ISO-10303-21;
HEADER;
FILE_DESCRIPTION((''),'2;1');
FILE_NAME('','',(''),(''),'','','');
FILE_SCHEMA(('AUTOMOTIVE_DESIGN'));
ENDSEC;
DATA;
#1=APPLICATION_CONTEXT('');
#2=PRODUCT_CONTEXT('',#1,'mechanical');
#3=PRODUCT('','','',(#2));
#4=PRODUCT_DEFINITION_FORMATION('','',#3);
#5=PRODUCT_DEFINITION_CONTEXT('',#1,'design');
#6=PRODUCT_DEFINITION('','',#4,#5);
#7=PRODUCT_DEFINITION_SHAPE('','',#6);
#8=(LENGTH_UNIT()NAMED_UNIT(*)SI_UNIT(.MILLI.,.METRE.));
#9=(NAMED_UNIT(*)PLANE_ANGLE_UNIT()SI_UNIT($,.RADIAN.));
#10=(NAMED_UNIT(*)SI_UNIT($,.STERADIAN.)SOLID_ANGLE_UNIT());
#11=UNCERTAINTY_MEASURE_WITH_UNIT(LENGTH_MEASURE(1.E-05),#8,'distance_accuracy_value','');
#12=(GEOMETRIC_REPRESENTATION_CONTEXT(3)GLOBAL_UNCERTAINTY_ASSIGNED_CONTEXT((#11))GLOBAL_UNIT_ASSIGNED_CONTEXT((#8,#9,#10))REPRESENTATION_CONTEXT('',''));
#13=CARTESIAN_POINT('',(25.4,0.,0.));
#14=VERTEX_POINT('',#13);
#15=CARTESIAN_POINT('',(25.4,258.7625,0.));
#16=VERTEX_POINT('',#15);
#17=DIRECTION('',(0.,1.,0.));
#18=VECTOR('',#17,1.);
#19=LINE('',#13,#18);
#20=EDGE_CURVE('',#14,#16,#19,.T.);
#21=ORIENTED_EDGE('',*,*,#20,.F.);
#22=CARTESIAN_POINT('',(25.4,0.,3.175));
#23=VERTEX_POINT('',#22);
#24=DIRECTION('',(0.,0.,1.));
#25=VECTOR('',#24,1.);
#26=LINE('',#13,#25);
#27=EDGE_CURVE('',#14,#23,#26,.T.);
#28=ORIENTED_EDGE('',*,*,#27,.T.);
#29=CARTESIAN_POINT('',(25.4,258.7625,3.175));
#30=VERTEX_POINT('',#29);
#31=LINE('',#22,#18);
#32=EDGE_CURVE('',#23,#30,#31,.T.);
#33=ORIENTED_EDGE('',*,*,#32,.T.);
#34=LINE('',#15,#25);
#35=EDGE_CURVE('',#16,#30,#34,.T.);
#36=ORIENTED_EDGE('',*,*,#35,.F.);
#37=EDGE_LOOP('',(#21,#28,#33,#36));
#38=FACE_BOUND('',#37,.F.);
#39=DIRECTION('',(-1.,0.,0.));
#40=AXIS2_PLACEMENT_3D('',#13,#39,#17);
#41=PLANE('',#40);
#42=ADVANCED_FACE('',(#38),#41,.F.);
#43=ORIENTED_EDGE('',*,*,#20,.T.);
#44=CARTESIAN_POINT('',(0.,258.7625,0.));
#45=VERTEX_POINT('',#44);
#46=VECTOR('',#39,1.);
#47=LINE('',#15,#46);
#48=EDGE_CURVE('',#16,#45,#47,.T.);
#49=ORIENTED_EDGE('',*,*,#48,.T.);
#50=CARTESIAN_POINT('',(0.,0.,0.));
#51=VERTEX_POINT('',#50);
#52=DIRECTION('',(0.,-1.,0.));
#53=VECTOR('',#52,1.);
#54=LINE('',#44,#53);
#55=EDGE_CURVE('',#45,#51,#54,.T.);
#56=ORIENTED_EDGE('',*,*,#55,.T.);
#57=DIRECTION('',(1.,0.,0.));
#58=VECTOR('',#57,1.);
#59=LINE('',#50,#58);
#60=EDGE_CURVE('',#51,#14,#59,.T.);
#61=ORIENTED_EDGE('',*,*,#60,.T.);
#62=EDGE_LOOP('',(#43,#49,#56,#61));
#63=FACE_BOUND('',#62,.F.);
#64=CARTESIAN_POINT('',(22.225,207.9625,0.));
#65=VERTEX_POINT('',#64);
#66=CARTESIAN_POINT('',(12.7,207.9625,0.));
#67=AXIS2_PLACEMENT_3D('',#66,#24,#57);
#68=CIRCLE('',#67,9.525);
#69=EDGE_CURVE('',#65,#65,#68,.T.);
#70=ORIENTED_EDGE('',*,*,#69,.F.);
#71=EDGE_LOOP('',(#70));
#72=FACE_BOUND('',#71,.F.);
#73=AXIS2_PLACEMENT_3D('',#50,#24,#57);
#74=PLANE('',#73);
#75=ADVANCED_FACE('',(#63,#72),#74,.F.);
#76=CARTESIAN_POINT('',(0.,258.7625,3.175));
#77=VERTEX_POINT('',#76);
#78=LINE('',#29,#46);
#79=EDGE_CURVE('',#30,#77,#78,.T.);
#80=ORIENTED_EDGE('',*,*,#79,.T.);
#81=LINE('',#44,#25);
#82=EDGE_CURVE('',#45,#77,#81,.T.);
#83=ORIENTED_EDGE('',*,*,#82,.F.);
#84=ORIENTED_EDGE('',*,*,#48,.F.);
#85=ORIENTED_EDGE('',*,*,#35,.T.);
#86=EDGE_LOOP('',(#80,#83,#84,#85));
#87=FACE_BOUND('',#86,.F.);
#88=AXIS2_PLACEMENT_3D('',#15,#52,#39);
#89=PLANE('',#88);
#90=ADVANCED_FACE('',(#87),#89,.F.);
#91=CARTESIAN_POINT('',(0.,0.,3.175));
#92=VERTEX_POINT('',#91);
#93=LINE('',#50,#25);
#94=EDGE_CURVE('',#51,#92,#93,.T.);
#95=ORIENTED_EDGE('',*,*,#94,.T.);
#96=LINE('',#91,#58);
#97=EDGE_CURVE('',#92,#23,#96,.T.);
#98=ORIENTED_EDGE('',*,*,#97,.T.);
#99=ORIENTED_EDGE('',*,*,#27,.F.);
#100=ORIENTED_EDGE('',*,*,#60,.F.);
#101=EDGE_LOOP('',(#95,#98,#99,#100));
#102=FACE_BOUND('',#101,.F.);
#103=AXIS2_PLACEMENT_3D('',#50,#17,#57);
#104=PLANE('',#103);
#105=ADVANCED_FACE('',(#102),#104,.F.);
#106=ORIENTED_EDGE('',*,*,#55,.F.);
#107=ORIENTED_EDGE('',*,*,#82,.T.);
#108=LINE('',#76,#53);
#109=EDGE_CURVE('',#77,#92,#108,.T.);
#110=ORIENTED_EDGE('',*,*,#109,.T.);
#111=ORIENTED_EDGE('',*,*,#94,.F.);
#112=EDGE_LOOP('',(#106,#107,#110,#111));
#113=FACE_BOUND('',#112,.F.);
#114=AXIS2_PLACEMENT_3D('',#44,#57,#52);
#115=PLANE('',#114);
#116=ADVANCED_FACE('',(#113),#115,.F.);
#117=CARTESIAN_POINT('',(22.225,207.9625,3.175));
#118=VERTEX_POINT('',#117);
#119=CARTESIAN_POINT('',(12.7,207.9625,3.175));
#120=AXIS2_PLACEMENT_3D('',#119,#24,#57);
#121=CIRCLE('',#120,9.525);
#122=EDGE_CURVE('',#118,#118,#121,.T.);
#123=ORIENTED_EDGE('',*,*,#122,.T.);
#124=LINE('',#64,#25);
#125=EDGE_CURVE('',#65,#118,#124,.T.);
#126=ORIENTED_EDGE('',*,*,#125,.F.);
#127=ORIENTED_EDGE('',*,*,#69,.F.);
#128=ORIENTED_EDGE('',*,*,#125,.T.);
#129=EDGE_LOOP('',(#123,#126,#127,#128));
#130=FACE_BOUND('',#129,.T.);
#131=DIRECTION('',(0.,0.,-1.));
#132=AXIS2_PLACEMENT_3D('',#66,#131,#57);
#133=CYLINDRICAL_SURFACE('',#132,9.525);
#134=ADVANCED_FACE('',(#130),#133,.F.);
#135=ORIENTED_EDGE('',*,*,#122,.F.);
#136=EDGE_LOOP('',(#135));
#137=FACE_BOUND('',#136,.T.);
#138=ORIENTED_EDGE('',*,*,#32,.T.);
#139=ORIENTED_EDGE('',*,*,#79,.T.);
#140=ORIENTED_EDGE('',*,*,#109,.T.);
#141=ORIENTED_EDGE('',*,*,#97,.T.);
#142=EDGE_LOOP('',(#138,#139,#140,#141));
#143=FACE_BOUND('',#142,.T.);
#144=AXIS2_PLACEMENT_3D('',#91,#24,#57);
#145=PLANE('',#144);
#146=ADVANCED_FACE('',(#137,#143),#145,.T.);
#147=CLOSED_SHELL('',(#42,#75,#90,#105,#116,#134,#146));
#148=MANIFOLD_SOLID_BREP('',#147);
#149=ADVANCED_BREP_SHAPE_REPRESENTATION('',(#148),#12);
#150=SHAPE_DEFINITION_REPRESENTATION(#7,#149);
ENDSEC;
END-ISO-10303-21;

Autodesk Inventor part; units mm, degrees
ref_plane "YZ Plane" through (0, 0, 0) normal (1, 0, 0) x (0, 1, 0)
ref_plane "XZ Plane" through (0, 0, 0) normal (0, 1, 0) x (-1, 0, 0)
ref_plane "XY Plane" through (0, 0, 0) normal (0, 0, 1) x (1, 0, 0)
sketch "Sketch1" plane through (0, 0, 0) normal (0, 0, 1) x (1, 0, 0)
  line L0 (0, 0) -> (25.4, 0)
  line L1 (25.4, 0) -> (25.4, 258.7625)
  line L2 (25.4, 258.7625) -> (0, 258.7625)
  line L3 (0, 258.7625) -> (0, 0)
  line L4 (12.7, 0) -> (12.7, 207.9625) construction
  circle A0 centre (12.7, 207.9625) radius 9.525
  dimension "d0" = 25.4
  dimension "d1" = 258.7625
  dimension "d2" = 207.9625
  dimension "d3" = 19.05
extrude "Extrusion1" add sketch "Sketch1" along normal blind 3.175
properties part number "wall"
